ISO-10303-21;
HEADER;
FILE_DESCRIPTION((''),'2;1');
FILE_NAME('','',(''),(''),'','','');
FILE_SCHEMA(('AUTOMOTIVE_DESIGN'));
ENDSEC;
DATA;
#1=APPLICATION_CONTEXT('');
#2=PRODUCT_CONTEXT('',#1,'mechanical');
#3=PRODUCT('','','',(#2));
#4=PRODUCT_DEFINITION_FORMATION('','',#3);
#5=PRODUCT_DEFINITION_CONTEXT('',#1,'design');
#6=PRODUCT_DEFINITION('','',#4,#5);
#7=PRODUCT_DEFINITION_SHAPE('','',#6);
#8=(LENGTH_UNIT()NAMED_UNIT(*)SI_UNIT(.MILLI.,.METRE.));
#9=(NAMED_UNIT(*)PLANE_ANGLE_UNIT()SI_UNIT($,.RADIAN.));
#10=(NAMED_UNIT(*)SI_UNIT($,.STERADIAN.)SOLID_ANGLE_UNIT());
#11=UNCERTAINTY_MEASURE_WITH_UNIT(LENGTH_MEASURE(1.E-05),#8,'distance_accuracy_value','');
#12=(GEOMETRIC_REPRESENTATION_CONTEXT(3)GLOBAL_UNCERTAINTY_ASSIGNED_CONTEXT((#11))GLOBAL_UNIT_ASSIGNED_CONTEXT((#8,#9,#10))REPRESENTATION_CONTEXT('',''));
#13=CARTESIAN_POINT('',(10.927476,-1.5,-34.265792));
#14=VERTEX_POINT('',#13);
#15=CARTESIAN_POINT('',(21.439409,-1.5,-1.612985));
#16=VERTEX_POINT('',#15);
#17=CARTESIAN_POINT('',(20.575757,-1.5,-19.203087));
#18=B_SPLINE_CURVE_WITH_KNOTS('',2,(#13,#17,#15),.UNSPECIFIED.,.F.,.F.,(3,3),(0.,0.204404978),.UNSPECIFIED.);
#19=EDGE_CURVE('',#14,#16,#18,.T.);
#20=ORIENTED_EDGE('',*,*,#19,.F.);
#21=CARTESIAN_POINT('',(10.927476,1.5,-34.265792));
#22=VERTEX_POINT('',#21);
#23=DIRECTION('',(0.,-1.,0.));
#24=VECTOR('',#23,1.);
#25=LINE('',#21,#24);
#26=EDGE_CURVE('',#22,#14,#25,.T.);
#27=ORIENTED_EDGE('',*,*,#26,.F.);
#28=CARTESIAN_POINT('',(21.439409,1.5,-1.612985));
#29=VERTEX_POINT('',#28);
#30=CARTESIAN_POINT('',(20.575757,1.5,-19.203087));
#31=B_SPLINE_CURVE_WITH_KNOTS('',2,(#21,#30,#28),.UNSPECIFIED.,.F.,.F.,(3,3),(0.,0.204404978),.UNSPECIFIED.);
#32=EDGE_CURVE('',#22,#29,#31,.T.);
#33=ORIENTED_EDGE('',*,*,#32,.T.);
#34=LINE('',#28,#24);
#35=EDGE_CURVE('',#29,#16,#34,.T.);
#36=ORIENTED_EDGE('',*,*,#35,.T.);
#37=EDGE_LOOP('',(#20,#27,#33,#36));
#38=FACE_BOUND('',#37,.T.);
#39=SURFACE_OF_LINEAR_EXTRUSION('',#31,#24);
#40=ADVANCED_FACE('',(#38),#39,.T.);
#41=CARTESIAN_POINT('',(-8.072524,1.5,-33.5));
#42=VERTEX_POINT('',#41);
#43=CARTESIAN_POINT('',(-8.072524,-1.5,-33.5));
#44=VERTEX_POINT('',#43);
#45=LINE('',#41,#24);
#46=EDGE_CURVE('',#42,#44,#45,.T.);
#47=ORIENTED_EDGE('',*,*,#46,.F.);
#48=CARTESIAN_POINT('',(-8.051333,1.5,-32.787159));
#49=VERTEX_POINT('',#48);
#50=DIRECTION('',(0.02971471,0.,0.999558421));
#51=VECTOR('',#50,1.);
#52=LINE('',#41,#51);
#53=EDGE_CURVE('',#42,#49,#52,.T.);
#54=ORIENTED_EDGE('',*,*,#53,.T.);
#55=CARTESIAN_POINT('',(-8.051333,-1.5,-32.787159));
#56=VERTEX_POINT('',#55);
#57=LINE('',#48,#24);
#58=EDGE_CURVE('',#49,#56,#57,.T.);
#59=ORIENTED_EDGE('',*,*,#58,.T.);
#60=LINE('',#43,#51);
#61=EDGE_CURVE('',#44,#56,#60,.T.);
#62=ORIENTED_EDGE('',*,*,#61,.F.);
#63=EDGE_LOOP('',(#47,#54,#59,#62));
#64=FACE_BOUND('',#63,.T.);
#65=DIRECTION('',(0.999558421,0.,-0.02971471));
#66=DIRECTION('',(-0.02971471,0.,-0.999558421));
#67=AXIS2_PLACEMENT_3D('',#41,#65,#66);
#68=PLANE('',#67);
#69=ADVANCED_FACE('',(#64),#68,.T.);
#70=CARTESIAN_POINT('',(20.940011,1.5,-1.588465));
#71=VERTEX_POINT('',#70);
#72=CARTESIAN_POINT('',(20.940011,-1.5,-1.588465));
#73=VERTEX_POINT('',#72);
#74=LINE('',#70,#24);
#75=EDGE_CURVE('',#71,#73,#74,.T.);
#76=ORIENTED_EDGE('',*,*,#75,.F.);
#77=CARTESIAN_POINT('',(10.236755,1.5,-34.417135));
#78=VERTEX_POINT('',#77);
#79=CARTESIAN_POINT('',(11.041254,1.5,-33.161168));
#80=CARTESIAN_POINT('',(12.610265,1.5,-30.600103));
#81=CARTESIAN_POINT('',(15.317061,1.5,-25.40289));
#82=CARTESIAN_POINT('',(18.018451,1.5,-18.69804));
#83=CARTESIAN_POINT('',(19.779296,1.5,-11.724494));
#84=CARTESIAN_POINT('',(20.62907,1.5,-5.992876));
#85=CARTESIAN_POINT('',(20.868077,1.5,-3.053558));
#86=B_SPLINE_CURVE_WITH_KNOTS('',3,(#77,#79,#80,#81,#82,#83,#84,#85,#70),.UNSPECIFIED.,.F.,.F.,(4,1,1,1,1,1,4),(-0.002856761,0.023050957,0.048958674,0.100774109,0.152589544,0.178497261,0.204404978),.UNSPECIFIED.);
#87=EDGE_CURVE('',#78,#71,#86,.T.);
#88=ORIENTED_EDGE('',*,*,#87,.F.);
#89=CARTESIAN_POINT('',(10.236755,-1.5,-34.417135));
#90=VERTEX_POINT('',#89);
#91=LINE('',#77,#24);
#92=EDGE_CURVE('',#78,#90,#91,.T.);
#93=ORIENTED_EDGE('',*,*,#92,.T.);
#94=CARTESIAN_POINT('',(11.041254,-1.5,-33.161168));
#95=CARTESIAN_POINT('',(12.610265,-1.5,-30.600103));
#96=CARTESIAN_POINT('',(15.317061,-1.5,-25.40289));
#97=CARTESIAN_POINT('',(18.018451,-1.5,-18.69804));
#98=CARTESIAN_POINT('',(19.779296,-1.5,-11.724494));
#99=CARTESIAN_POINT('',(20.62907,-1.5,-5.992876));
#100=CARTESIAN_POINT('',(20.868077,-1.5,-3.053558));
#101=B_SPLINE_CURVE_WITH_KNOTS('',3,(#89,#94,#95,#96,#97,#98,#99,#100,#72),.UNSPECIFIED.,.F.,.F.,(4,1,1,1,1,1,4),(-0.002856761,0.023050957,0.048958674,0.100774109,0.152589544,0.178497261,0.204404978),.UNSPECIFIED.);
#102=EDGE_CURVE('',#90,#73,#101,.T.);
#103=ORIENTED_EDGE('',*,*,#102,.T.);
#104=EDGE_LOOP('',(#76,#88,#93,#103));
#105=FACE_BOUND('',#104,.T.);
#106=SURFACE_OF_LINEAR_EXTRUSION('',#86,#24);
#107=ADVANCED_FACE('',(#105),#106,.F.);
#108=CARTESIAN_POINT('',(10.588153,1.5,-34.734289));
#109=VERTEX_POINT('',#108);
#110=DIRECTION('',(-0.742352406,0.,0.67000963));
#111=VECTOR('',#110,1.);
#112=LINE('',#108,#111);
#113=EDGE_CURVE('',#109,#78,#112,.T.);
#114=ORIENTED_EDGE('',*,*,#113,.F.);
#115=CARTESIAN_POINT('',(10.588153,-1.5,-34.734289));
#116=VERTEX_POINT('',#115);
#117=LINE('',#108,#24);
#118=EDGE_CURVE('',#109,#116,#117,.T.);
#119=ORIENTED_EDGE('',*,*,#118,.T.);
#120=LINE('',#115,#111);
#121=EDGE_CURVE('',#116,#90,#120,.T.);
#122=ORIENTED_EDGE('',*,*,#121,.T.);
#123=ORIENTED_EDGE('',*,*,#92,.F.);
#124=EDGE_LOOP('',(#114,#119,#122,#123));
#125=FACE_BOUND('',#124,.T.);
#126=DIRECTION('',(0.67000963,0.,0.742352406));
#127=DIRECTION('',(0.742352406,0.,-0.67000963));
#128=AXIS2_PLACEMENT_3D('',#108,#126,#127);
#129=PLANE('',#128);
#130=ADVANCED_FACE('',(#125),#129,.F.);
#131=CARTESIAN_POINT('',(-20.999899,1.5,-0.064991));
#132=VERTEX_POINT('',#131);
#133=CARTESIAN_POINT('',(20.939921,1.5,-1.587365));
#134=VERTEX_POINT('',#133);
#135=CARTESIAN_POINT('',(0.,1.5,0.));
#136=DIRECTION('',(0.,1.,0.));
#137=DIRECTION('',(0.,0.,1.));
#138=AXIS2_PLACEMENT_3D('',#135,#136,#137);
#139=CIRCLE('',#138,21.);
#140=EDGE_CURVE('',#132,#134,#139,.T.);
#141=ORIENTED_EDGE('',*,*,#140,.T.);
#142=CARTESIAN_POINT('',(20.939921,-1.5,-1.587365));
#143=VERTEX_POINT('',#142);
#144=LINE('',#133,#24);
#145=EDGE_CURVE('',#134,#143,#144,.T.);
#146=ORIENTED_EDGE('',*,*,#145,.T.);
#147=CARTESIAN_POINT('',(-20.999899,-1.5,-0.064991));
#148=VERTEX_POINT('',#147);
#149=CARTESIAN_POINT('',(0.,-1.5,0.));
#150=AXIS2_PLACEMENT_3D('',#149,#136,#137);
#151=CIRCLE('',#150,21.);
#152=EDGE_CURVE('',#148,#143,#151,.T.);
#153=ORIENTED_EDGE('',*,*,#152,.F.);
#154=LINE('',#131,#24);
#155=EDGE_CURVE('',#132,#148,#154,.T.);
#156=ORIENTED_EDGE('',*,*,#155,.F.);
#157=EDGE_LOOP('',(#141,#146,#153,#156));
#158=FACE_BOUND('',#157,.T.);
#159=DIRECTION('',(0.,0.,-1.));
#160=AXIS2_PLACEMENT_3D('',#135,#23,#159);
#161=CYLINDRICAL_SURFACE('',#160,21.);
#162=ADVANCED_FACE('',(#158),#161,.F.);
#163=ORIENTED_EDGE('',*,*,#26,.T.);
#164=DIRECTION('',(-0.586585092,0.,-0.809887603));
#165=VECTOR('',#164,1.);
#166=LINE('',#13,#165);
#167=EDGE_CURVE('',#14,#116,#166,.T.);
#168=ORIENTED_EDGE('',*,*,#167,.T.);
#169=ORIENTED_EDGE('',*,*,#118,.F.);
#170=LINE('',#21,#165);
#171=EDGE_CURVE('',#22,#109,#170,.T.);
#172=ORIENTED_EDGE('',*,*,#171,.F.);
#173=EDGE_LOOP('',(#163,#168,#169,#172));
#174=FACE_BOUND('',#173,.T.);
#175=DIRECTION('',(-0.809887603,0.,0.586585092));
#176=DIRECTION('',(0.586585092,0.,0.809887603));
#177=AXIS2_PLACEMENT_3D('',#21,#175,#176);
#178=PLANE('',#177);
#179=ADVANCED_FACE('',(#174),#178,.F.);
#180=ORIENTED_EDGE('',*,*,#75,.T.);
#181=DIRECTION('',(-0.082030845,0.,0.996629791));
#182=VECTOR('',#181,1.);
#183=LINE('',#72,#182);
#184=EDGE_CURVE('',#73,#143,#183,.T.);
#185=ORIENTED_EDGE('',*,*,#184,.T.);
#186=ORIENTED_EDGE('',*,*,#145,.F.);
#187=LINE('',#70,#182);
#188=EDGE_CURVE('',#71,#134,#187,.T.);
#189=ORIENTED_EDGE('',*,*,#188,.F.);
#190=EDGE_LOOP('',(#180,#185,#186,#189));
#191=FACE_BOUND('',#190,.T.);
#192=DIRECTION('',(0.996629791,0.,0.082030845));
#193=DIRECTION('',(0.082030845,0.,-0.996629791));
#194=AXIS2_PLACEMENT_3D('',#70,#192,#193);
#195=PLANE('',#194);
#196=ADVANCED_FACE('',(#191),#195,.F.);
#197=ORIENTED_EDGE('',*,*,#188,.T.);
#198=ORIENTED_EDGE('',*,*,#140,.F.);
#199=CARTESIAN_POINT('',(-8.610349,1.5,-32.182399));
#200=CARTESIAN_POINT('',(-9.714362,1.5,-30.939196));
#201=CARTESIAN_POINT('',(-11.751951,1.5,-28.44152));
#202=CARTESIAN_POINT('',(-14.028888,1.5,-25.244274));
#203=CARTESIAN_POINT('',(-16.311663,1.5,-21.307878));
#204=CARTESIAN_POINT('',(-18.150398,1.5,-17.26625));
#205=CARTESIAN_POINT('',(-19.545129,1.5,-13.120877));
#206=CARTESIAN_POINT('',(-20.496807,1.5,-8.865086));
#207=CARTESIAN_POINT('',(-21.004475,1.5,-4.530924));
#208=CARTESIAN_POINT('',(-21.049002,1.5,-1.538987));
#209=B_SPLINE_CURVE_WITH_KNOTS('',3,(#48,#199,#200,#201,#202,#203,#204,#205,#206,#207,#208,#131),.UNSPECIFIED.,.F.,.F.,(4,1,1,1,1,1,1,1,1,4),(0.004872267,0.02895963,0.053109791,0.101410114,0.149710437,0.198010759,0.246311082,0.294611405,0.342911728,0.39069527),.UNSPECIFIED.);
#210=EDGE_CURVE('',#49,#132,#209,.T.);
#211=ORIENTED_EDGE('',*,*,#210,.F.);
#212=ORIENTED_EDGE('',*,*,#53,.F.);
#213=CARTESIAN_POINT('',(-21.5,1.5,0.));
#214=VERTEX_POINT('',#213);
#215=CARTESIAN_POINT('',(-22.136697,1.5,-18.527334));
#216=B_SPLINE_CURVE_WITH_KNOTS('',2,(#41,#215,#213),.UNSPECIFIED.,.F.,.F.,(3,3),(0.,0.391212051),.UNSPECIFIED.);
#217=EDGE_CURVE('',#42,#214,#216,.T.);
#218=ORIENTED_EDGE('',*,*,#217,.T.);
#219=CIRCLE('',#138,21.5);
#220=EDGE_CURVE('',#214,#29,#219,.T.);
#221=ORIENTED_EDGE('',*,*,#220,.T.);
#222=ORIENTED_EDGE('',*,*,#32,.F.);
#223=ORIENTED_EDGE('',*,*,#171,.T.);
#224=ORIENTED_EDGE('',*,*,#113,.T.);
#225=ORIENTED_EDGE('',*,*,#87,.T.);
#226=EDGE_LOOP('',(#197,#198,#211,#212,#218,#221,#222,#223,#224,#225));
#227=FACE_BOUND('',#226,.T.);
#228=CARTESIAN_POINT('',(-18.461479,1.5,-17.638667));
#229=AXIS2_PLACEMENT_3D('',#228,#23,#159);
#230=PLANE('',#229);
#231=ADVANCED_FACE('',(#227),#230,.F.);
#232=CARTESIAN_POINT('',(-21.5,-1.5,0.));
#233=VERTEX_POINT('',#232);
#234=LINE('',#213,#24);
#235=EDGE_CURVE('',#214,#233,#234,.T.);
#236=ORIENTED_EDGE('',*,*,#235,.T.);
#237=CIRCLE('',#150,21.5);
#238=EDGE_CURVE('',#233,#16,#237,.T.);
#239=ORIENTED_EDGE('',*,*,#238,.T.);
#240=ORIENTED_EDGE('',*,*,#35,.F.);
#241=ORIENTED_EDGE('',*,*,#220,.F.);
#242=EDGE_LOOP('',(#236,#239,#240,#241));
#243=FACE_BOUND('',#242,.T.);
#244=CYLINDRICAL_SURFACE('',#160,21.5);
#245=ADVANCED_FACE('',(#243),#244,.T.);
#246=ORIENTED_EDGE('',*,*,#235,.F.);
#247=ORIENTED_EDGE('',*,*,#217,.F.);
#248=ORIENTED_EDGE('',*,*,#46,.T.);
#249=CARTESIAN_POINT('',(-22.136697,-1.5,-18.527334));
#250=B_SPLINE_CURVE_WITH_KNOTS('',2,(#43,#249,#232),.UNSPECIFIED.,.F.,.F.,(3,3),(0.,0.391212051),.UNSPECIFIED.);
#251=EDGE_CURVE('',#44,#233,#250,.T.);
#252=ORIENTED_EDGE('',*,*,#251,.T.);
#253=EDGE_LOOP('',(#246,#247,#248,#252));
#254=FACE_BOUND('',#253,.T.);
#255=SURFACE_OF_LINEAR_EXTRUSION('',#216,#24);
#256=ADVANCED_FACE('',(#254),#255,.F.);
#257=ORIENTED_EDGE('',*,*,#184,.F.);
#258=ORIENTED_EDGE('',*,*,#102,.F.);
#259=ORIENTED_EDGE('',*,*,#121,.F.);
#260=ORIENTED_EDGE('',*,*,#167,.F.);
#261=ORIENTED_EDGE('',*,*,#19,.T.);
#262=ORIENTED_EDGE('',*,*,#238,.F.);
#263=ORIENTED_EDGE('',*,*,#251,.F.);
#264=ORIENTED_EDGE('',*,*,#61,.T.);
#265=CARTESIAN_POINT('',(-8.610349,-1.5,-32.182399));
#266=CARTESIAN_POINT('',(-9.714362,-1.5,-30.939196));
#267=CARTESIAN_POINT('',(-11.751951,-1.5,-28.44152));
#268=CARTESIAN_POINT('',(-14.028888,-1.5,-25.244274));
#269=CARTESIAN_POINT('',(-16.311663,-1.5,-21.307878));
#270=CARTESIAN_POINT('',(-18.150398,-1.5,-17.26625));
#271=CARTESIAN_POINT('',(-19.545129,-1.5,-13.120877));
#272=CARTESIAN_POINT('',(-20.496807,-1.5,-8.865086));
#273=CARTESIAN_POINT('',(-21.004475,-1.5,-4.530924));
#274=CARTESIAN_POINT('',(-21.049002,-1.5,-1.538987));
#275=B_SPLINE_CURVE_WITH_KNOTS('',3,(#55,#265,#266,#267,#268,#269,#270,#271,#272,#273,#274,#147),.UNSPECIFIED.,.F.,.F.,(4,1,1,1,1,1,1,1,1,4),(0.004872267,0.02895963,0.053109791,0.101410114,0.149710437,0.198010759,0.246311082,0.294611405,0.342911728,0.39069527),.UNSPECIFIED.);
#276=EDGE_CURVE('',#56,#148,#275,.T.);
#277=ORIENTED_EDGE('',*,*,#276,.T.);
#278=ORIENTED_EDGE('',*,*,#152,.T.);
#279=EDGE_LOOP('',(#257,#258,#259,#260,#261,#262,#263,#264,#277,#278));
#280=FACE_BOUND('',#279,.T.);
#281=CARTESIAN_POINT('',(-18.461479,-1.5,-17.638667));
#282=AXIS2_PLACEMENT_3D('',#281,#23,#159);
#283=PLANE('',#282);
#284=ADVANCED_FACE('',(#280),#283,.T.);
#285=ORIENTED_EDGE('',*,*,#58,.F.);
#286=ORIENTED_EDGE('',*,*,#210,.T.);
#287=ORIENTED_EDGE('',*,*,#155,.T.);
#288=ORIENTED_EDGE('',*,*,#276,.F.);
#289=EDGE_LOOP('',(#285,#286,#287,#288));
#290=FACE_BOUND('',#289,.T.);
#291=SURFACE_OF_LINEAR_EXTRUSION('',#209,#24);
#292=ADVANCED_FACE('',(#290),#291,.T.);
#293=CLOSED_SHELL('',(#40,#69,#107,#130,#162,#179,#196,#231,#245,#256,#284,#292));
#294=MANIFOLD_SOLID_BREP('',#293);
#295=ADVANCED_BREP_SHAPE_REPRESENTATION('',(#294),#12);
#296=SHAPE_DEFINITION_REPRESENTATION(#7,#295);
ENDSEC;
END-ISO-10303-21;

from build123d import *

# Parameters (mm, degrees)
EXTRUDE_1_DEPTH = 1.5


with BuildPart() as part:
    # 草图1 → 拉伸1 (new, symmetric)
    with BuildSketch(Plane(origin=(0, 0, 0), x_dir=(1, 0, 0), z_dir=(0, 1, 0))):
        with BuildLine():
            Line((20.940011064, 1.58846533), (20.939920521, 1.58736529))
            ThreePointArc((20.939920521, 1.58736529), (0.761777461, -20.986178668), (-20.999899431, 0.064991443))
            add(Edge.make_bspline(
                [(-8.051332909, 32.78715945), (-8.610349318, 32.182398754), (-9.714361715, 30.939196238), (-11.751951037, 28.441519755), (-14.028887881, 25.244274154), (-16.311662528, 21.307878415), (-18.150397892, 17.266249907), (-19.545128941, 13.120876546), (-20.496807064, 8.86508597), (-21.004475075, 4.530924038), (-21.049002229, 1.538986899), (-20.999899431, 0.064991443)],
                knots=[0.004872267, 0.004872267, 0.004872267, 0.004872267, 0.02895963, 0.053109791, 0.101410114, 0.149710437, 0.198010759, 0.246311082, 0.294611405, 0.342911728, 0.39069527, 0.39069527, 0.39069527, 0.39069527], degree=3))
            Line((-8.051332909, 32.78715945), (-8.072524116, 33.5))
            add(Edge.make_bspline(
                [(-8.072524116, 33.5), (-22.136696557, 18.527333844), (-21.5, 0)],
                knots=[0, 0, 0, 0.391212051, 0.391212051, 0.391212051], degree=2))
            ThreePointArc((-21.5, 0), (0.807061405, -21.48484703), (21.439409478, 1.612985193))
            add(Edge.make_bspline(
                [(10.927475884, 34.265791626), (20.575756572, 19.203087379), (21.439409478, 1.612985193)],
                knots=[0, 0, 0, 0.204404978, 0.204404978, 0.204404978], degree=2))
            Line((10.927475884, 34.265791626), (10.588152757, 34.734289031))
            Line((10.588152757, 34.734289031), (10.236755206, 34.417135424))
            add(Edge.make_bspline(
                [(10.236755206, 34.417135424), (11.041253847, 33.161168119), (12.610265397, 30.600103215), (15.317060933, 25.402889951), (18.018451366, 18.698039733), (19.779296418, 11.724493606), (20.629070045, 5.992876218), (20.868076786, 3.053557708), (20.940011064, 1.58846533)],
                knots=[-0.002856761, -0.002856761, -0.002856761, -0.002856761, 0.023050957, 0.048958674, 0.100774109, 0.152589544, 0.178497261, 0.204404978, 0.204404978, 0.204404978, 0.204404978], degree=3))
        make_face()
    extrude(amount=EXTRUDE_1_DEPTH, both=True)


solid = part.part
